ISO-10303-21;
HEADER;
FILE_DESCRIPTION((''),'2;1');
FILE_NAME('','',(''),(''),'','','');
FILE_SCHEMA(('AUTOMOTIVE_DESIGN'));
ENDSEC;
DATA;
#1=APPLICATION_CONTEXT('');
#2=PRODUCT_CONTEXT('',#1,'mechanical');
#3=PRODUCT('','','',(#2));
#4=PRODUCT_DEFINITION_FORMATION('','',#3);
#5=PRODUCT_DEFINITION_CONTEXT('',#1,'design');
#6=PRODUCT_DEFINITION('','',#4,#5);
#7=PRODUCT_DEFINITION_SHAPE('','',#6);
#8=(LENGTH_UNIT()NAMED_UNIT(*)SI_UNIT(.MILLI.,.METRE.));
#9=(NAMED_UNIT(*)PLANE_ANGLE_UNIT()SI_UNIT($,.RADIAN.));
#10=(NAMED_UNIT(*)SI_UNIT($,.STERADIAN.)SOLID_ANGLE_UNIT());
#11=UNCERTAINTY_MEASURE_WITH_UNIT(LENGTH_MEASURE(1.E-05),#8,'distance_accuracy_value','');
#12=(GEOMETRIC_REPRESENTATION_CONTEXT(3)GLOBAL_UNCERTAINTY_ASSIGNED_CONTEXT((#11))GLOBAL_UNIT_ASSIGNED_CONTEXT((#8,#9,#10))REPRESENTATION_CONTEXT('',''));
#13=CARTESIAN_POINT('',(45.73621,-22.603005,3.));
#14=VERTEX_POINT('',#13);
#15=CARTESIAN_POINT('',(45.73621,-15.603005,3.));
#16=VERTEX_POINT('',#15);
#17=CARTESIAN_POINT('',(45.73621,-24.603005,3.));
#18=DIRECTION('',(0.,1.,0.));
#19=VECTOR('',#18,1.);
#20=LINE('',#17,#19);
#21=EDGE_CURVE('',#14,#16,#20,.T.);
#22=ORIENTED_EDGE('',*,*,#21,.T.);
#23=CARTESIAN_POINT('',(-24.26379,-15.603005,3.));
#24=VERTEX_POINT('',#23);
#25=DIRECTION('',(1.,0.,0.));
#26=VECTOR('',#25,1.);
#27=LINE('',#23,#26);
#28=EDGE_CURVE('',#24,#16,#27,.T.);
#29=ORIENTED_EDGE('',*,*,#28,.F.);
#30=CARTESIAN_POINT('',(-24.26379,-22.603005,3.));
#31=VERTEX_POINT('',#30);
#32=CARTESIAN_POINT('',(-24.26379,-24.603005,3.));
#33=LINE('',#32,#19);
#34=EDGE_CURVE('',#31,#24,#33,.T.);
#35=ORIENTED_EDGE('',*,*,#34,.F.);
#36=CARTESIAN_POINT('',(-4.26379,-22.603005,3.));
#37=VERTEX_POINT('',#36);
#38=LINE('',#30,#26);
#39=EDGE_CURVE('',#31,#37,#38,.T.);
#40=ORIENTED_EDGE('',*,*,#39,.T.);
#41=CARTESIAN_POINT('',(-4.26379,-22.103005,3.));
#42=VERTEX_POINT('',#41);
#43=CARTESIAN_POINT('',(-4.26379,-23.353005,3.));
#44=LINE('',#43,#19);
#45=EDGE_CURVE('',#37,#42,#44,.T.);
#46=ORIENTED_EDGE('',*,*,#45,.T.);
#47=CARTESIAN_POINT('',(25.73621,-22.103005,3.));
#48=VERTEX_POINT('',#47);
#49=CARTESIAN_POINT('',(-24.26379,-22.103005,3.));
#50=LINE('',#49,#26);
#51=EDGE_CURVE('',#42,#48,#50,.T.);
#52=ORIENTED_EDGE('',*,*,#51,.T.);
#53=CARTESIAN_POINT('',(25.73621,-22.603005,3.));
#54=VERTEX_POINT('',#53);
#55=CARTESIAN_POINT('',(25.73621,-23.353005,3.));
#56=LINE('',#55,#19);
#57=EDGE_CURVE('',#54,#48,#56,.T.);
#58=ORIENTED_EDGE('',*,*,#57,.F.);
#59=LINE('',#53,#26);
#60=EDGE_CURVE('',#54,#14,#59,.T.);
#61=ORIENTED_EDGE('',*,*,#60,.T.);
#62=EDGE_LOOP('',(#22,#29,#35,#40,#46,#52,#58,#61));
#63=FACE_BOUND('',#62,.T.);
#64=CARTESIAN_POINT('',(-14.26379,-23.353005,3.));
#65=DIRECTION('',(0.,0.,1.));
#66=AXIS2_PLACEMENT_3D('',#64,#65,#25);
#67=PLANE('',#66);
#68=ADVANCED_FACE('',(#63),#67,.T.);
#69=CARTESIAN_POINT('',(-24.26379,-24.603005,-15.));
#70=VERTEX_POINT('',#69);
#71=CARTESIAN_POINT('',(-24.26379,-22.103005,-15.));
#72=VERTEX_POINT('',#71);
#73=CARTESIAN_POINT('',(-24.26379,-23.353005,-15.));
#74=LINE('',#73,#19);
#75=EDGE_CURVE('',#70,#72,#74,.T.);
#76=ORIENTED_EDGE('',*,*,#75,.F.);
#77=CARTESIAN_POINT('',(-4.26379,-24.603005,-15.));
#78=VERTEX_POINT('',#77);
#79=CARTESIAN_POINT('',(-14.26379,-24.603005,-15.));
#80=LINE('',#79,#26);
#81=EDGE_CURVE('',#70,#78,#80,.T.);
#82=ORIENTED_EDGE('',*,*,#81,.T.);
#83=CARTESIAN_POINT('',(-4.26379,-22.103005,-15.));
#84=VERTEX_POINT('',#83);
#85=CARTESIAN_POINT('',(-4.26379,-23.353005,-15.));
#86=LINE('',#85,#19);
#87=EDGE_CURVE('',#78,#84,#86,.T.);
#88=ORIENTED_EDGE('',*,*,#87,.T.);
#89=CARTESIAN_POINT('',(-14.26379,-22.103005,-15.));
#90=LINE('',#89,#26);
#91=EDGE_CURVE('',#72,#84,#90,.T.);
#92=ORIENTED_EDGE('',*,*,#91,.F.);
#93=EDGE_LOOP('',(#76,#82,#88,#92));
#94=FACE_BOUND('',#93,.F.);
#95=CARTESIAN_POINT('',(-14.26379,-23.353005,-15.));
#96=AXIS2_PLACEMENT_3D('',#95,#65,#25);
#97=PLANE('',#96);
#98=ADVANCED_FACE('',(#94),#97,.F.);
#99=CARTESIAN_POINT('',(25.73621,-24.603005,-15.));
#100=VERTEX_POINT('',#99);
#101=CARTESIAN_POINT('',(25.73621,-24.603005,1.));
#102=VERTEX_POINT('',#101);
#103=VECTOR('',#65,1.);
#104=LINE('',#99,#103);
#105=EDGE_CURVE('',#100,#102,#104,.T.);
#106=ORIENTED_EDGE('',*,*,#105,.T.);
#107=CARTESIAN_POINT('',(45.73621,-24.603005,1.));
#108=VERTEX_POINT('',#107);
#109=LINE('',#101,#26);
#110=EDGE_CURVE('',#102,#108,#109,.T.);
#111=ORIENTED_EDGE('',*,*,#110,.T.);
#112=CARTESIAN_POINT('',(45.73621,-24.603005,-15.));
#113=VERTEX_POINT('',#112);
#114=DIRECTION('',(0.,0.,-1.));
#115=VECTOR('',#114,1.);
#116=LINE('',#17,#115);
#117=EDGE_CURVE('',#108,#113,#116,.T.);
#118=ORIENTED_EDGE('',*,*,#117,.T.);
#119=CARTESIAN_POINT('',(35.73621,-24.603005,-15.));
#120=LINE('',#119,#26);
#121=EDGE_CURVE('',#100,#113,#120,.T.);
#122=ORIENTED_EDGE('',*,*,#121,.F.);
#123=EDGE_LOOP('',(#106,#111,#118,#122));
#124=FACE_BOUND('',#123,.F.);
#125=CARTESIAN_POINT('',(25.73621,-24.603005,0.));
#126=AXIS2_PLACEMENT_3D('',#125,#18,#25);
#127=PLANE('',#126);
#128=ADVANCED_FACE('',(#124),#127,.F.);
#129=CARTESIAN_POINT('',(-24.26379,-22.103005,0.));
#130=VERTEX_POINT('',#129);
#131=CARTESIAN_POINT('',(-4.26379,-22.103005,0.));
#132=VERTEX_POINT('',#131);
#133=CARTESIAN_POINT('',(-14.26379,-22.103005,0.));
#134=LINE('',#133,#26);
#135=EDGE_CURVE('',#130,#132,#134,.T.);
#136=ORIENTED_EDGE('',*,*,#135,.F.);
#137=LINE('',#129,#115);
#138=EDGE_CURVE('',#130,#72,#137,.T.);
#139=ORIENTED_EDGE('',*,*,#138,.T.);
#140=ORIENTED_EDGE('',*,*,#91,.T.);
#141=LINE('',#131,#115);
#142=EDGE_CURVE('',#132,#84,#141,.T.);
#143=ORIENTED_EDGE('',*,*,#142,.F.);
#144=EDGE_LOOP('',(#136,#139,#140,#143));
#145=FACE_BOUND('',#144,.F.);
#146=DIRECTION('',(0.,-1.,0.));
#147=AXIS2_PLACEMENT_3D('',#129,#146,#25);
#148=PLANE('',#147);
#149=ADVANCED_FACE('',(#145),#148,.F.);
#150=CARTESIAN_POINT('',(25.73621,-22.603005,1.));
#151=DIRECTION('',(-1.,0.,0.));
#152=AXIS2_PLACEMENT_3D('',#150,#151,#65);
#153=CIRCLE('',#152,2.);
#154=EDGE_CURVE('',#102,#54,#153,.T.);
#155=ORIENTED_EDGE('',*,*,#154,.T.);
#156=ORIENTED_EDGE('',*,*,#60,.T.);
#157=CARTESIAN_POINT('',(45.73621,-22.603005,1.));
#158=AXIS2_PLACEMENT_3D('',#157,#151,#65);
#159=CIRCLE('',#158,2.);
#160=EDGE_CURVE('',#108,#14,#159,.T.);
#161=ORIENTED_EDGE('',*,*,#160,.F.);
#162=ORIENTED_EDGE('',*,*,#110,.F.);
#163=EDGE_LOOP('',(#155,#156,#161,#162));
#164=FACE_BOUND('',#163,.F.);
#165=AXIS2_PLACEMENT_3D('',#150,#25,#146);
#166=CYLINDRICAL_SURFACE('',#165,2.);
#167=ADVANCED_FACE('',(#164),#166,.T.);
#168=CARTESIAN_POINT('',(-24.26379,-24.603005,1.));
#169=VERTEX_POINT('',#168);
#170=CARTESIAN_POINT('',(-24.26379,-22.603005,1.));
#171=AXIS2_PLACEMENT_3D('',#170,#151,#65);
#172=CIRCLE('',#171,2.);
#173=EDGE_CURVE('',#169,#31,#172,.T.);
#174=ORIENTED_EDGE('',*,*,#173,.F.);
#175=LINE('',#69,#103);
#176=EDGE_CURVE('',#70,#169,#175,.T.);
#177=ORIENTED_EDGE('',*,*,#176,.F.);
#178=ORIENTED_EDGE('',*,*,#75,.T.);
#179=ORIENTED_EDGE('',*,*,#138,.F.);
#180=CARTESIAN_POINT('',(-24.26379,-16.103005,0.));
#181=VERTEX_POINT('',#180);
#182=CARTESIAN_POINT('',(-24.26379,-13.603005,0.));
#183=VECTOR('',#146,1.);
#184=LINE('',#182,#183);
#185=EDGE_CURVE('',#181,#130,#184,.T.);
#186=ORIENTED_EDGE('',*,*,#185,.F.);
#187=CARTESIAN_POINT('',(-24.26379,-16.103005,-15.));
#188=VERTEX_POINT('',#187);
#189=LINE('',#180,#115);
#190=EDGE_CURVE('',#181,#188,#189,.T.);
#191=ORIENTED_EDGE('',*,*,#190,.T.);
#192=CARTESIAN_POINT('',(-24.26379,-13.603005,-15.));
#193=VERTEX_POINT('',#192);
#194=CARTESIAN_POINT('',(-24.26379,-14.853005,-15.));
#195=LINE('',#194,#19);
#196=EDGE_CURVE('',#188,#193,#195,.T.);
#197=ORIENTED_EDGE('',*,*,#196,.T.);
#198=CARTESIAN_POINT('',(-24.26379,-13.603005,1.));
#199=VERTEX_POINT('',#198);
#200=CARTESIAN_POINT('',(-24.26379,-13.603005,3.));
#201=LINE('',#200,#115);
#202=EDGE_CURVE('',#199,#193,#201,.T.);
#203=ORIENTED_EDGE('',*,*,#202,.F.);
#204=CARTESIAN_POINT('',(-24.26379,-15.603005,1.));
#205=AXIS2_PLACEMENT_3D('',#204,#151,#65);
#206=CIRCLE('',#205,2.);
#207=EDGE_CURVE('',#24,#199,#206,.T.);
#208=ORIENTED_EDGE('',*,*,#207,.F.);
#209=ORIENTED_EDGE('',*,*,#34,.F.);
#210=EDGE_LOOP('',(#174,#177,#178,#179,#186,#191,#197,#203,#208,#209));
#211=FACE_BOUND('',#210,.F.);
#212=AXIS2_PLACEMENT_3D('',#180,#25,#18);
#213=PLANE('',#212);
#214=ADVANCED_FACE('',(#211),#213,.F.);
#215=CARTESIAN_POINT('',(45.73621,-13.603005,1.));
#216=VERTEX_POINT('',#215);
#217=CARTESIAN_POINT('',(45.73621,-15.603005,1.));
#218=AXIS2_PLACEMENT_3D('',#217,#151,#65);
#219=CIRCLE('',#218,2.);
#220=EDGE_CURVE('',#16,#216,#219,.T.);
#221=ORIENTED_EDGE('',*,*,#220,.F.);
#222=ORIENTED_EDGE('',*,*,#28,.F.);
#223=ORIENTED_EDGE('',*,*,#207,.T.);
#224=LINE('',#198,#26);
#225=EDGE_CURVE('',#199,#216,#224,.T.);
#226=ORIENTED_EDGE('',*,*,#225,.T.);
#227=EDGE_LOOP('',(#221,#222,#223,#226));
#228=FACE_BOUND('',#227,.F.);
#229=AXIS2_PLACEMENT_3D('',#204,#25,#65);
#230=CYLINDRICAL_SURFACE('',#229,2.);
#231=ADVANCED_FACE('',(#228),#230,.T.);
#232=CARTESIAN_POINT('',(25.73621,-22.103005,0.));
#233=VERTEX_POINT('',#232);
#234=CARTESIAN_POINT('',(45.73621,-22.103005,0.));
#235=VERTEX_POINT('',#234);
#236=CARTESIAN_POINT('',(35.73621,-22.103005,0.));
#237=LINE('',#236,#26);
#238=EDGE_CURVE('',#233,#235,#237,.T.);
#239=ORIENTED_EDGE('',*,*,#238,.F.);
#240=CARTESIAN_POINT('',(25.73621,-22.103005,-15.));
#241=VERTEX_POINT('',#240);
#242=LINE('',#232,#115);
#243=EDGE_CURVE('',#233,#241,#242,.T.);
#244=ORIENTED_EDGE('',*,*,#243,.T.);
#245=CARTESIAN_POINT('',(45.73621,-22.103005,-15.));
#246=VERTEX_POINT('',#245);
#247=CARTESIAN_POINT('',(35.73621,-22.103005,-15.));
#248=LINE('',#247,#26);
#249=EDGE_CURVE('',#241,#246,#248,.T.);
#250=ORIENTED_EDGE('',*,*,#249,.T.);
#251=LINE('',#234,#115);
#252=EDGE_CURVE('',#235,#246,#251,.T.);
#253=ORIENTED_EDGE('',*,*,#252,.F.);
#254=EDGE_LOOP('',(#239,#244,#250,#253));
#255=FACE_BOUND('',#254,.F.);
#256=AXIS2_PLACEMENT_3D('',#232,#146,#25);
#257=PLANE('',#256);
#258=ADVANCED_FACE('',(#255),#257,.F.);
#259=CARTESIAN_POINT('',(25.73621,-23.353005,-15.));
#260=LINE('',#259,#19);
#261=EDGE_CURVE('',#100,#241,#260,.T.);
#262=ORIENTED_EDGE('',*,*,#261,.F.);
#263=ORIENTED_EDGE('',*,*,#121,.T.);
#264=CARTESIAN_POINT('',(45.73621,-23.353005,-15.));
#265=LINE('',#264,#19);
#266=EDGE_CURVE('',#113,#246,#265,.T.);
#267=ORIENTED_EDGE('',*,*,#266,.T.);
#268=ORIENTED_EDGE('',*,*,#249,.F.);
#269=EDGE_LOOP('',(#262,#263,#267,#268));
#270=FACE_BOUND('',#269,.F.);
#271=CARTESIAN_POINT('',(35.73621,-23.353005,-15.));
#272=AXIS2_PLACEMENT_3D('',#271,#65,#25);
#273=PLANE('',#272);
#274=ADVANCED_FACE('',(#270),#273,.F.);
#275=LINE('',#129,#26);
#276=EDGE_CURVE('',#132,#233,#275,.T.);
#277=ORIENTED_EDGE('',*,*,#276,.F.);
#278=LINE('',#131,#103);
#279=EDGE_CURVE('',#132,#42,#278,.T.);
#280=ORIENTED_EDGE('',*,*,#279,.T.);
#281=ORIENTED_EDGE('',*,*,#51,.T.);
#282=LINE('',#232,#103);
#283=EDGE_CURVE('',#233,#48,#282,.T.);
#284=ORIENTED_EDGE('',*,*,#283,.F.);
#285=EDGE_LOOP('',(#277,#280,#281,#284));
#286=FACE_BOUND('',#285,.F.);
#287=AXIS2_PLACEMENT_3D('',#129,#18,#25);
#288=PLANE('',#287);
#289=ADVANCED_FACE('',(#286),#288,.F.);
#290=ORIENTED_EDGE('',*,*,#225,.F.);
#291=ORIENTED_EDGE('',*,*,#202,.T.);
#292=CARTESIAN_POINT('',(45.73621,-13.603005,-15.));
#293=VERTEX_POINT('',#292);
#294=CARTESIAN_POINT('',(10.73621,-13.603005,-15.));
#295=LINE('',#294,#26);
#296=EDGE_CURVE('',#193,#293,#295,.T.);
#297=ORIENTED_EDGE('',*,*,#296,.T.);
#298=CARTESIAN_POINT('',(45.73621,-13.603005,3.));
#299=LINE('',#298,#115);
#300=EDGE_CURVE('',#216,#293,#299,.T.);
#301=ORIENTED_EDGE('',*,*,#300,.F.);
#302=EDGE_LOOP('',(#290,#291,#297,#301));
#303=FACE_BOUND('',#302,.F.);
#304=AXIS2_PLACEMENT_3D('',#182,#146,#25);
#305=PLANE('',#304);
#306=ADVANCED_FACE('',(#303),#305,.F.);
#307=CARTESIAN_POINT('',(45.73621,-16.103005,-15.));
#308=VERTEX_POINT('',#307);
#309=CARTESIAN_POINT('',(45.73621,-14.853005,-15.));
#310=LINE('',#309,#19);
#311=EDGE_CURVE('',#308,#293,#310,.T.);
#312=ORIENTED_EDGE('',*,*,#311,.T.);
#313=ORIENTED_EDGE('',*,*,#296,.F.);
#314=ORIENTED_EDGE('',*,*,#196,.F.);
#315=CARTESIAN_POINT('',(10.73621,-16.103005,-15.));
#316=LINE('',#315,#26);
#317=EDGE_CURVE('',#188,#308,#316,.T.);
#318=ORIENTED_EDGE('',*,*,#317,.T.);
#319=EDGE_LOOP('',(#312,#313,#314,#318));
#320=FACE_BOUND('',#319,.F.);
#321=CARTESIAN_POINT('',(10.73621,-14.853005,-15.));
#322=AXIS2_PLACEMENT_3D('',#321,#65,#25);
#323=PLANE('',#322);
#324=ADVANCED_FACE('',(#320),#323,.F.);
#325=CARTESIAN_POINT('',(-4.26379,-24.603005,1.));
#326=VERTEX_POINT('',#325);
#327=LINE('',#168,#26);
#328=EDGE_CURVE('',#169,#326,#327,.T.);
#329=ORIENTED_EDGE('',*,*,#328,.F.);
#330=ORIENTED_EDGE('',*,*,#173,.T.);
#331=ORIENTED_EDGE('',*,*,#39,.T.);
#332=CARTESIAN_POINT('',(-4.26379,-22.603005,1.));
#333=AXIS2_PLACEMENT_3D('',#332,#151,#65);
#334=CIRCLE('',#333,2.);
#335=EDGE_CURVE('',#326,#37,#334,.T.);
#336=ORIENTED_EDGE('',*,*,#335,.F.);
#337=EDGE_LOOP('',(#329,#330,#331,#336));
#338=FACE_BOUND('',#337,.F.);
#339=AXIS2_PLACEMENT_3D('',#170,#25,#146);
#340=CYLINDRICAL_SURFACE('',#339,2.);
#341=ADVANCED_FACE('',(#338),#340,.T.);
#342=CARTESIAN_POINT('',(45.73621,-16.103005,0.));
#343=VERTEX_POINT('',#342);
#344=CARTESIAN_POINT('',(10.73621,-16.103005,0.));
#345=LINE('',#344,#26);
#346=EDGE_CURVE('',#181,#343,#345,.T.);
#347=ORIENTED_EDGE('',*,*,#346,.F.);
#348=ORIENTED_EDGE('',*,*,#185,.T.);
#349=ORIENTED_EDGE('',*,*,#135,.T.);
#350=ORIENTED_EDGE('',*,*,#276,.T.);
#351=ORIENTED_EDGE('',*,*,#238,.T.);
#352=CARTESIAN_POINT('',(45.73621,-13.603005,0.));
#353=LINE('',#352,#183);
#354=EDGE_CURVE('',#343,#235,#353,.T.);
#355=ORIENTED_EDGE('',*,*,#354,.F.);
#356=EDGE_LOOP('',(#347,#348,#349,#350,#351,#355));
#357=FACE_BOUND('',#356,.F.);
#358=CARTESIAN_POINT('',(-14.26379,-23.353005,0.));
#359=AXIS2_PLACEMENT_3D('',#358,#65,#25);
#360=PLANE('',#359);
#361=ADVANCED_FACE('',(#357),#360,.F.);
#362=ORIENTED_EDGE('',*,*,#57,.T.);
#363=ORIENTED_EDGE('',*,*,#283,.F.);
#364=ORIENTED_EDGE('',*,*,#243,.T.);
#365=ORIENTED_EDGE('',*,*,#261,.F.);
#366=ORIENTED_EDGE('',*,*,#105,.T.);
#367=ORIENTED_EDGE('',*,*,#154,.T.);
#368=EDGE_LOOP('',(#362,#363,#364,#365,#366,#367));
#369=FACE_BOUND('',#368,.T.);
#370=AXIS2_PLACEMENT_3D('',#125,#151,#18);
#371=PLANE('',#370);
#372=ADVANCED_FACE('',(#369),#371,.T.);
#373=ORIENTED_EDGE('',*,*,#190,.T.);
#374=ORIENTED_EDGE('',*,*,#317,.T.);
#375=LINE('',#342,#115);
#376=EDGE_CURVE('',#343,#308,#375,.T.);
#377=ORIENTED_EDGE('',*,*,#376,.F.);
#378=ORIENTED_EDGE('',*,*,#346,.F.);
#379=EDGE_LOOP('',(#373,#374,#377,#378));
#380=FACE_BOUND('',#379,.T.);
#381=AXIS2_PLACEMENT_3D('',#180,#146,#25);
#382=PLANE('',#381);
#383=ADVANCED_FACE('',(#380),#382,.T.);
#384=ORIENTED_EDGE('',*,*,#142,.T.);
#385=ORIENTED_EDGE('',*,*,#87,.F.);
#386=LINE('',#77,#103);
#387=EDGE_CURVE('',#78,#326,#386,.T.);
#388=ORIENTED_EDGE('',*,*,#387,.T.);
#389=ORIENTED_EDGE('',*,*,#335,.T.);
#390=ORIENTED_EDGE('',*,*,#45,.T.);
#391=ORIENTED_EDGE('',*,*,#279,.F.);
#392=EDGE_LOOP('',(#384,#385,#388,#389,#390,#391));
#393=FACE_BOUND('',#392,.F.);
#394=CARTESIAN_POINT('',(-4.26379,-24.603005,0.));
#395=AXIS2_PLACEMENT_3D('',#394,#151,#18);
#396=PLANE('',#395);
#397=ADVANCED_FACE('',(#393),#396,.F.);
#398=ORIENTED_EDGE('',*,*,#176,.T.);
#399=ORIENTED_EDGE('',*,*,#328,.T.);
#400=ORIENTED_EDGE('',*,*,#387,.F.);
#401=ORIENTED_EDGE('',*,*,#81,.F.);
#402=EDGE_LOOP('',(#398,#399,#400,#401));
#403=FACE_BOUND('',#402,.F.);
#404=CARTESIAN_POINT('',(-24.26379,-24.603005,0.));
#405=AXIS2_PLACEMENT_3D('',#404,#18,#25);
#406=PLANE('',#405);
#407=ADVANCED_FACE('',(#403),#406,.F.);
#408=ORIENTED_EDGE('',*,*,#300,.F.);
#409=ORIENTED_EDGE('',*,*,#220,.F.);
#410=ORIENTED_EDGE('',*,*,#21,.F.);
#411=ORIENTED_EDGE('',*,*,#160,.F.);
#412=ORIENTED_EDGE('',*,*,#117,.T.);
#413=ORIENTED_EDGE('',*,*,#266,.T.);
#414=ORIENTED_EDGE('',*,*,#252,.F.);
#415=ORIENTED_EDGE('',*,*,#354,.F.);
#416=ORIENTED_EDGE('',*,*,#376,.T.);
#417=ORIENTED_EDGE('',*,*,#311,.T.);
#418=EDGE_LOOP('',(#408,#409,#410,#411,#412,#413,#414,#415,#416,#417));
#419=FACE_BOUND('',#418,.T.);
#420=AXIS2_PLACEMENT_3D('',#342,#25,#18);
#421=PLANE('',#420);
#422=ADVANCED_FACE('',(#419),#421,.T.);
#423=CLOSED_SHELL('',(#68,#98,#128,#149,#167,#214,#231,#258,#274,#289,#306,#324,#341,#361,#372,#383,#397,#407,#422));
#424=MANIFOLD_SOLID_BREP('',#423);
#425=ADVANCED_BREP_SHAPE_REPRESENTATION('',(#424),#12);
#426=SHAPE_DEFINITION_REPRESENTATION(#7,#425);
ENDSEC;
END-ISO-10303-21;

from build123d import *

# Parameters (mm, degrees)
F1_DEPTH = 3
F0_W     = 20
F0_H     = 2.5
F0_W_2   = 70
F2_DEPTH = 3
F3_DEPTH = 15
F4_R     = 2


with BuildPart() as f1:
    # F0 (on Top) → F1 (new body)
    with BuildSketch(Plane.XY):
        Polygon((-24.26379, -16.103005), (-24.26379, -22.103005), (-4.26379, -22.103005), (25.73621, -22.103005), (45.73621, -22.103005), (45.73621, -16.103005), align=None)
    extrude(amount=F1_DEPTH)

    # F0 (on Top) → F2 (join)
    with BuildSketch(Plane.XY):
        with Locations((-14.26379, -23.353005)):
            Rectangle(F0_W, F0_H)
        with Locations((35.73621, -23.353005)):
            Rectangle(F0_W, F0_H)
        with Locations((10.73621, -14.853005)):
            Rectangle(F0_W_2, F0_H)
    extrude(amount=F2_DEPTH)

    # F0 (on Top) → F3 (join)
    with BuildSketch(Plane.XY):
        with Locations((10.73621, -14.853005)):
            Rectangle(F0_W_2, F0_H)
        with Locations((-14.26379, -23.353005)):
            Rectangle(F0_W, F0_H)
        with Locations((35.73621, -23.353005)):
            Rectangle(F0_W, F0_H)
    extrude(amount=-F3_DEPTH)

    # F4
    f4_edges = [f1.edges().sort_by_distance(p)[0] for p in [
        (10.73621, -13.603005, 3),
        (-14.26379, -24.603005, 3),
        (35.73621, -24.603005, 3),
    ]]
    fillet(f4_edges, radius=F4_R)


solid = f1.part
